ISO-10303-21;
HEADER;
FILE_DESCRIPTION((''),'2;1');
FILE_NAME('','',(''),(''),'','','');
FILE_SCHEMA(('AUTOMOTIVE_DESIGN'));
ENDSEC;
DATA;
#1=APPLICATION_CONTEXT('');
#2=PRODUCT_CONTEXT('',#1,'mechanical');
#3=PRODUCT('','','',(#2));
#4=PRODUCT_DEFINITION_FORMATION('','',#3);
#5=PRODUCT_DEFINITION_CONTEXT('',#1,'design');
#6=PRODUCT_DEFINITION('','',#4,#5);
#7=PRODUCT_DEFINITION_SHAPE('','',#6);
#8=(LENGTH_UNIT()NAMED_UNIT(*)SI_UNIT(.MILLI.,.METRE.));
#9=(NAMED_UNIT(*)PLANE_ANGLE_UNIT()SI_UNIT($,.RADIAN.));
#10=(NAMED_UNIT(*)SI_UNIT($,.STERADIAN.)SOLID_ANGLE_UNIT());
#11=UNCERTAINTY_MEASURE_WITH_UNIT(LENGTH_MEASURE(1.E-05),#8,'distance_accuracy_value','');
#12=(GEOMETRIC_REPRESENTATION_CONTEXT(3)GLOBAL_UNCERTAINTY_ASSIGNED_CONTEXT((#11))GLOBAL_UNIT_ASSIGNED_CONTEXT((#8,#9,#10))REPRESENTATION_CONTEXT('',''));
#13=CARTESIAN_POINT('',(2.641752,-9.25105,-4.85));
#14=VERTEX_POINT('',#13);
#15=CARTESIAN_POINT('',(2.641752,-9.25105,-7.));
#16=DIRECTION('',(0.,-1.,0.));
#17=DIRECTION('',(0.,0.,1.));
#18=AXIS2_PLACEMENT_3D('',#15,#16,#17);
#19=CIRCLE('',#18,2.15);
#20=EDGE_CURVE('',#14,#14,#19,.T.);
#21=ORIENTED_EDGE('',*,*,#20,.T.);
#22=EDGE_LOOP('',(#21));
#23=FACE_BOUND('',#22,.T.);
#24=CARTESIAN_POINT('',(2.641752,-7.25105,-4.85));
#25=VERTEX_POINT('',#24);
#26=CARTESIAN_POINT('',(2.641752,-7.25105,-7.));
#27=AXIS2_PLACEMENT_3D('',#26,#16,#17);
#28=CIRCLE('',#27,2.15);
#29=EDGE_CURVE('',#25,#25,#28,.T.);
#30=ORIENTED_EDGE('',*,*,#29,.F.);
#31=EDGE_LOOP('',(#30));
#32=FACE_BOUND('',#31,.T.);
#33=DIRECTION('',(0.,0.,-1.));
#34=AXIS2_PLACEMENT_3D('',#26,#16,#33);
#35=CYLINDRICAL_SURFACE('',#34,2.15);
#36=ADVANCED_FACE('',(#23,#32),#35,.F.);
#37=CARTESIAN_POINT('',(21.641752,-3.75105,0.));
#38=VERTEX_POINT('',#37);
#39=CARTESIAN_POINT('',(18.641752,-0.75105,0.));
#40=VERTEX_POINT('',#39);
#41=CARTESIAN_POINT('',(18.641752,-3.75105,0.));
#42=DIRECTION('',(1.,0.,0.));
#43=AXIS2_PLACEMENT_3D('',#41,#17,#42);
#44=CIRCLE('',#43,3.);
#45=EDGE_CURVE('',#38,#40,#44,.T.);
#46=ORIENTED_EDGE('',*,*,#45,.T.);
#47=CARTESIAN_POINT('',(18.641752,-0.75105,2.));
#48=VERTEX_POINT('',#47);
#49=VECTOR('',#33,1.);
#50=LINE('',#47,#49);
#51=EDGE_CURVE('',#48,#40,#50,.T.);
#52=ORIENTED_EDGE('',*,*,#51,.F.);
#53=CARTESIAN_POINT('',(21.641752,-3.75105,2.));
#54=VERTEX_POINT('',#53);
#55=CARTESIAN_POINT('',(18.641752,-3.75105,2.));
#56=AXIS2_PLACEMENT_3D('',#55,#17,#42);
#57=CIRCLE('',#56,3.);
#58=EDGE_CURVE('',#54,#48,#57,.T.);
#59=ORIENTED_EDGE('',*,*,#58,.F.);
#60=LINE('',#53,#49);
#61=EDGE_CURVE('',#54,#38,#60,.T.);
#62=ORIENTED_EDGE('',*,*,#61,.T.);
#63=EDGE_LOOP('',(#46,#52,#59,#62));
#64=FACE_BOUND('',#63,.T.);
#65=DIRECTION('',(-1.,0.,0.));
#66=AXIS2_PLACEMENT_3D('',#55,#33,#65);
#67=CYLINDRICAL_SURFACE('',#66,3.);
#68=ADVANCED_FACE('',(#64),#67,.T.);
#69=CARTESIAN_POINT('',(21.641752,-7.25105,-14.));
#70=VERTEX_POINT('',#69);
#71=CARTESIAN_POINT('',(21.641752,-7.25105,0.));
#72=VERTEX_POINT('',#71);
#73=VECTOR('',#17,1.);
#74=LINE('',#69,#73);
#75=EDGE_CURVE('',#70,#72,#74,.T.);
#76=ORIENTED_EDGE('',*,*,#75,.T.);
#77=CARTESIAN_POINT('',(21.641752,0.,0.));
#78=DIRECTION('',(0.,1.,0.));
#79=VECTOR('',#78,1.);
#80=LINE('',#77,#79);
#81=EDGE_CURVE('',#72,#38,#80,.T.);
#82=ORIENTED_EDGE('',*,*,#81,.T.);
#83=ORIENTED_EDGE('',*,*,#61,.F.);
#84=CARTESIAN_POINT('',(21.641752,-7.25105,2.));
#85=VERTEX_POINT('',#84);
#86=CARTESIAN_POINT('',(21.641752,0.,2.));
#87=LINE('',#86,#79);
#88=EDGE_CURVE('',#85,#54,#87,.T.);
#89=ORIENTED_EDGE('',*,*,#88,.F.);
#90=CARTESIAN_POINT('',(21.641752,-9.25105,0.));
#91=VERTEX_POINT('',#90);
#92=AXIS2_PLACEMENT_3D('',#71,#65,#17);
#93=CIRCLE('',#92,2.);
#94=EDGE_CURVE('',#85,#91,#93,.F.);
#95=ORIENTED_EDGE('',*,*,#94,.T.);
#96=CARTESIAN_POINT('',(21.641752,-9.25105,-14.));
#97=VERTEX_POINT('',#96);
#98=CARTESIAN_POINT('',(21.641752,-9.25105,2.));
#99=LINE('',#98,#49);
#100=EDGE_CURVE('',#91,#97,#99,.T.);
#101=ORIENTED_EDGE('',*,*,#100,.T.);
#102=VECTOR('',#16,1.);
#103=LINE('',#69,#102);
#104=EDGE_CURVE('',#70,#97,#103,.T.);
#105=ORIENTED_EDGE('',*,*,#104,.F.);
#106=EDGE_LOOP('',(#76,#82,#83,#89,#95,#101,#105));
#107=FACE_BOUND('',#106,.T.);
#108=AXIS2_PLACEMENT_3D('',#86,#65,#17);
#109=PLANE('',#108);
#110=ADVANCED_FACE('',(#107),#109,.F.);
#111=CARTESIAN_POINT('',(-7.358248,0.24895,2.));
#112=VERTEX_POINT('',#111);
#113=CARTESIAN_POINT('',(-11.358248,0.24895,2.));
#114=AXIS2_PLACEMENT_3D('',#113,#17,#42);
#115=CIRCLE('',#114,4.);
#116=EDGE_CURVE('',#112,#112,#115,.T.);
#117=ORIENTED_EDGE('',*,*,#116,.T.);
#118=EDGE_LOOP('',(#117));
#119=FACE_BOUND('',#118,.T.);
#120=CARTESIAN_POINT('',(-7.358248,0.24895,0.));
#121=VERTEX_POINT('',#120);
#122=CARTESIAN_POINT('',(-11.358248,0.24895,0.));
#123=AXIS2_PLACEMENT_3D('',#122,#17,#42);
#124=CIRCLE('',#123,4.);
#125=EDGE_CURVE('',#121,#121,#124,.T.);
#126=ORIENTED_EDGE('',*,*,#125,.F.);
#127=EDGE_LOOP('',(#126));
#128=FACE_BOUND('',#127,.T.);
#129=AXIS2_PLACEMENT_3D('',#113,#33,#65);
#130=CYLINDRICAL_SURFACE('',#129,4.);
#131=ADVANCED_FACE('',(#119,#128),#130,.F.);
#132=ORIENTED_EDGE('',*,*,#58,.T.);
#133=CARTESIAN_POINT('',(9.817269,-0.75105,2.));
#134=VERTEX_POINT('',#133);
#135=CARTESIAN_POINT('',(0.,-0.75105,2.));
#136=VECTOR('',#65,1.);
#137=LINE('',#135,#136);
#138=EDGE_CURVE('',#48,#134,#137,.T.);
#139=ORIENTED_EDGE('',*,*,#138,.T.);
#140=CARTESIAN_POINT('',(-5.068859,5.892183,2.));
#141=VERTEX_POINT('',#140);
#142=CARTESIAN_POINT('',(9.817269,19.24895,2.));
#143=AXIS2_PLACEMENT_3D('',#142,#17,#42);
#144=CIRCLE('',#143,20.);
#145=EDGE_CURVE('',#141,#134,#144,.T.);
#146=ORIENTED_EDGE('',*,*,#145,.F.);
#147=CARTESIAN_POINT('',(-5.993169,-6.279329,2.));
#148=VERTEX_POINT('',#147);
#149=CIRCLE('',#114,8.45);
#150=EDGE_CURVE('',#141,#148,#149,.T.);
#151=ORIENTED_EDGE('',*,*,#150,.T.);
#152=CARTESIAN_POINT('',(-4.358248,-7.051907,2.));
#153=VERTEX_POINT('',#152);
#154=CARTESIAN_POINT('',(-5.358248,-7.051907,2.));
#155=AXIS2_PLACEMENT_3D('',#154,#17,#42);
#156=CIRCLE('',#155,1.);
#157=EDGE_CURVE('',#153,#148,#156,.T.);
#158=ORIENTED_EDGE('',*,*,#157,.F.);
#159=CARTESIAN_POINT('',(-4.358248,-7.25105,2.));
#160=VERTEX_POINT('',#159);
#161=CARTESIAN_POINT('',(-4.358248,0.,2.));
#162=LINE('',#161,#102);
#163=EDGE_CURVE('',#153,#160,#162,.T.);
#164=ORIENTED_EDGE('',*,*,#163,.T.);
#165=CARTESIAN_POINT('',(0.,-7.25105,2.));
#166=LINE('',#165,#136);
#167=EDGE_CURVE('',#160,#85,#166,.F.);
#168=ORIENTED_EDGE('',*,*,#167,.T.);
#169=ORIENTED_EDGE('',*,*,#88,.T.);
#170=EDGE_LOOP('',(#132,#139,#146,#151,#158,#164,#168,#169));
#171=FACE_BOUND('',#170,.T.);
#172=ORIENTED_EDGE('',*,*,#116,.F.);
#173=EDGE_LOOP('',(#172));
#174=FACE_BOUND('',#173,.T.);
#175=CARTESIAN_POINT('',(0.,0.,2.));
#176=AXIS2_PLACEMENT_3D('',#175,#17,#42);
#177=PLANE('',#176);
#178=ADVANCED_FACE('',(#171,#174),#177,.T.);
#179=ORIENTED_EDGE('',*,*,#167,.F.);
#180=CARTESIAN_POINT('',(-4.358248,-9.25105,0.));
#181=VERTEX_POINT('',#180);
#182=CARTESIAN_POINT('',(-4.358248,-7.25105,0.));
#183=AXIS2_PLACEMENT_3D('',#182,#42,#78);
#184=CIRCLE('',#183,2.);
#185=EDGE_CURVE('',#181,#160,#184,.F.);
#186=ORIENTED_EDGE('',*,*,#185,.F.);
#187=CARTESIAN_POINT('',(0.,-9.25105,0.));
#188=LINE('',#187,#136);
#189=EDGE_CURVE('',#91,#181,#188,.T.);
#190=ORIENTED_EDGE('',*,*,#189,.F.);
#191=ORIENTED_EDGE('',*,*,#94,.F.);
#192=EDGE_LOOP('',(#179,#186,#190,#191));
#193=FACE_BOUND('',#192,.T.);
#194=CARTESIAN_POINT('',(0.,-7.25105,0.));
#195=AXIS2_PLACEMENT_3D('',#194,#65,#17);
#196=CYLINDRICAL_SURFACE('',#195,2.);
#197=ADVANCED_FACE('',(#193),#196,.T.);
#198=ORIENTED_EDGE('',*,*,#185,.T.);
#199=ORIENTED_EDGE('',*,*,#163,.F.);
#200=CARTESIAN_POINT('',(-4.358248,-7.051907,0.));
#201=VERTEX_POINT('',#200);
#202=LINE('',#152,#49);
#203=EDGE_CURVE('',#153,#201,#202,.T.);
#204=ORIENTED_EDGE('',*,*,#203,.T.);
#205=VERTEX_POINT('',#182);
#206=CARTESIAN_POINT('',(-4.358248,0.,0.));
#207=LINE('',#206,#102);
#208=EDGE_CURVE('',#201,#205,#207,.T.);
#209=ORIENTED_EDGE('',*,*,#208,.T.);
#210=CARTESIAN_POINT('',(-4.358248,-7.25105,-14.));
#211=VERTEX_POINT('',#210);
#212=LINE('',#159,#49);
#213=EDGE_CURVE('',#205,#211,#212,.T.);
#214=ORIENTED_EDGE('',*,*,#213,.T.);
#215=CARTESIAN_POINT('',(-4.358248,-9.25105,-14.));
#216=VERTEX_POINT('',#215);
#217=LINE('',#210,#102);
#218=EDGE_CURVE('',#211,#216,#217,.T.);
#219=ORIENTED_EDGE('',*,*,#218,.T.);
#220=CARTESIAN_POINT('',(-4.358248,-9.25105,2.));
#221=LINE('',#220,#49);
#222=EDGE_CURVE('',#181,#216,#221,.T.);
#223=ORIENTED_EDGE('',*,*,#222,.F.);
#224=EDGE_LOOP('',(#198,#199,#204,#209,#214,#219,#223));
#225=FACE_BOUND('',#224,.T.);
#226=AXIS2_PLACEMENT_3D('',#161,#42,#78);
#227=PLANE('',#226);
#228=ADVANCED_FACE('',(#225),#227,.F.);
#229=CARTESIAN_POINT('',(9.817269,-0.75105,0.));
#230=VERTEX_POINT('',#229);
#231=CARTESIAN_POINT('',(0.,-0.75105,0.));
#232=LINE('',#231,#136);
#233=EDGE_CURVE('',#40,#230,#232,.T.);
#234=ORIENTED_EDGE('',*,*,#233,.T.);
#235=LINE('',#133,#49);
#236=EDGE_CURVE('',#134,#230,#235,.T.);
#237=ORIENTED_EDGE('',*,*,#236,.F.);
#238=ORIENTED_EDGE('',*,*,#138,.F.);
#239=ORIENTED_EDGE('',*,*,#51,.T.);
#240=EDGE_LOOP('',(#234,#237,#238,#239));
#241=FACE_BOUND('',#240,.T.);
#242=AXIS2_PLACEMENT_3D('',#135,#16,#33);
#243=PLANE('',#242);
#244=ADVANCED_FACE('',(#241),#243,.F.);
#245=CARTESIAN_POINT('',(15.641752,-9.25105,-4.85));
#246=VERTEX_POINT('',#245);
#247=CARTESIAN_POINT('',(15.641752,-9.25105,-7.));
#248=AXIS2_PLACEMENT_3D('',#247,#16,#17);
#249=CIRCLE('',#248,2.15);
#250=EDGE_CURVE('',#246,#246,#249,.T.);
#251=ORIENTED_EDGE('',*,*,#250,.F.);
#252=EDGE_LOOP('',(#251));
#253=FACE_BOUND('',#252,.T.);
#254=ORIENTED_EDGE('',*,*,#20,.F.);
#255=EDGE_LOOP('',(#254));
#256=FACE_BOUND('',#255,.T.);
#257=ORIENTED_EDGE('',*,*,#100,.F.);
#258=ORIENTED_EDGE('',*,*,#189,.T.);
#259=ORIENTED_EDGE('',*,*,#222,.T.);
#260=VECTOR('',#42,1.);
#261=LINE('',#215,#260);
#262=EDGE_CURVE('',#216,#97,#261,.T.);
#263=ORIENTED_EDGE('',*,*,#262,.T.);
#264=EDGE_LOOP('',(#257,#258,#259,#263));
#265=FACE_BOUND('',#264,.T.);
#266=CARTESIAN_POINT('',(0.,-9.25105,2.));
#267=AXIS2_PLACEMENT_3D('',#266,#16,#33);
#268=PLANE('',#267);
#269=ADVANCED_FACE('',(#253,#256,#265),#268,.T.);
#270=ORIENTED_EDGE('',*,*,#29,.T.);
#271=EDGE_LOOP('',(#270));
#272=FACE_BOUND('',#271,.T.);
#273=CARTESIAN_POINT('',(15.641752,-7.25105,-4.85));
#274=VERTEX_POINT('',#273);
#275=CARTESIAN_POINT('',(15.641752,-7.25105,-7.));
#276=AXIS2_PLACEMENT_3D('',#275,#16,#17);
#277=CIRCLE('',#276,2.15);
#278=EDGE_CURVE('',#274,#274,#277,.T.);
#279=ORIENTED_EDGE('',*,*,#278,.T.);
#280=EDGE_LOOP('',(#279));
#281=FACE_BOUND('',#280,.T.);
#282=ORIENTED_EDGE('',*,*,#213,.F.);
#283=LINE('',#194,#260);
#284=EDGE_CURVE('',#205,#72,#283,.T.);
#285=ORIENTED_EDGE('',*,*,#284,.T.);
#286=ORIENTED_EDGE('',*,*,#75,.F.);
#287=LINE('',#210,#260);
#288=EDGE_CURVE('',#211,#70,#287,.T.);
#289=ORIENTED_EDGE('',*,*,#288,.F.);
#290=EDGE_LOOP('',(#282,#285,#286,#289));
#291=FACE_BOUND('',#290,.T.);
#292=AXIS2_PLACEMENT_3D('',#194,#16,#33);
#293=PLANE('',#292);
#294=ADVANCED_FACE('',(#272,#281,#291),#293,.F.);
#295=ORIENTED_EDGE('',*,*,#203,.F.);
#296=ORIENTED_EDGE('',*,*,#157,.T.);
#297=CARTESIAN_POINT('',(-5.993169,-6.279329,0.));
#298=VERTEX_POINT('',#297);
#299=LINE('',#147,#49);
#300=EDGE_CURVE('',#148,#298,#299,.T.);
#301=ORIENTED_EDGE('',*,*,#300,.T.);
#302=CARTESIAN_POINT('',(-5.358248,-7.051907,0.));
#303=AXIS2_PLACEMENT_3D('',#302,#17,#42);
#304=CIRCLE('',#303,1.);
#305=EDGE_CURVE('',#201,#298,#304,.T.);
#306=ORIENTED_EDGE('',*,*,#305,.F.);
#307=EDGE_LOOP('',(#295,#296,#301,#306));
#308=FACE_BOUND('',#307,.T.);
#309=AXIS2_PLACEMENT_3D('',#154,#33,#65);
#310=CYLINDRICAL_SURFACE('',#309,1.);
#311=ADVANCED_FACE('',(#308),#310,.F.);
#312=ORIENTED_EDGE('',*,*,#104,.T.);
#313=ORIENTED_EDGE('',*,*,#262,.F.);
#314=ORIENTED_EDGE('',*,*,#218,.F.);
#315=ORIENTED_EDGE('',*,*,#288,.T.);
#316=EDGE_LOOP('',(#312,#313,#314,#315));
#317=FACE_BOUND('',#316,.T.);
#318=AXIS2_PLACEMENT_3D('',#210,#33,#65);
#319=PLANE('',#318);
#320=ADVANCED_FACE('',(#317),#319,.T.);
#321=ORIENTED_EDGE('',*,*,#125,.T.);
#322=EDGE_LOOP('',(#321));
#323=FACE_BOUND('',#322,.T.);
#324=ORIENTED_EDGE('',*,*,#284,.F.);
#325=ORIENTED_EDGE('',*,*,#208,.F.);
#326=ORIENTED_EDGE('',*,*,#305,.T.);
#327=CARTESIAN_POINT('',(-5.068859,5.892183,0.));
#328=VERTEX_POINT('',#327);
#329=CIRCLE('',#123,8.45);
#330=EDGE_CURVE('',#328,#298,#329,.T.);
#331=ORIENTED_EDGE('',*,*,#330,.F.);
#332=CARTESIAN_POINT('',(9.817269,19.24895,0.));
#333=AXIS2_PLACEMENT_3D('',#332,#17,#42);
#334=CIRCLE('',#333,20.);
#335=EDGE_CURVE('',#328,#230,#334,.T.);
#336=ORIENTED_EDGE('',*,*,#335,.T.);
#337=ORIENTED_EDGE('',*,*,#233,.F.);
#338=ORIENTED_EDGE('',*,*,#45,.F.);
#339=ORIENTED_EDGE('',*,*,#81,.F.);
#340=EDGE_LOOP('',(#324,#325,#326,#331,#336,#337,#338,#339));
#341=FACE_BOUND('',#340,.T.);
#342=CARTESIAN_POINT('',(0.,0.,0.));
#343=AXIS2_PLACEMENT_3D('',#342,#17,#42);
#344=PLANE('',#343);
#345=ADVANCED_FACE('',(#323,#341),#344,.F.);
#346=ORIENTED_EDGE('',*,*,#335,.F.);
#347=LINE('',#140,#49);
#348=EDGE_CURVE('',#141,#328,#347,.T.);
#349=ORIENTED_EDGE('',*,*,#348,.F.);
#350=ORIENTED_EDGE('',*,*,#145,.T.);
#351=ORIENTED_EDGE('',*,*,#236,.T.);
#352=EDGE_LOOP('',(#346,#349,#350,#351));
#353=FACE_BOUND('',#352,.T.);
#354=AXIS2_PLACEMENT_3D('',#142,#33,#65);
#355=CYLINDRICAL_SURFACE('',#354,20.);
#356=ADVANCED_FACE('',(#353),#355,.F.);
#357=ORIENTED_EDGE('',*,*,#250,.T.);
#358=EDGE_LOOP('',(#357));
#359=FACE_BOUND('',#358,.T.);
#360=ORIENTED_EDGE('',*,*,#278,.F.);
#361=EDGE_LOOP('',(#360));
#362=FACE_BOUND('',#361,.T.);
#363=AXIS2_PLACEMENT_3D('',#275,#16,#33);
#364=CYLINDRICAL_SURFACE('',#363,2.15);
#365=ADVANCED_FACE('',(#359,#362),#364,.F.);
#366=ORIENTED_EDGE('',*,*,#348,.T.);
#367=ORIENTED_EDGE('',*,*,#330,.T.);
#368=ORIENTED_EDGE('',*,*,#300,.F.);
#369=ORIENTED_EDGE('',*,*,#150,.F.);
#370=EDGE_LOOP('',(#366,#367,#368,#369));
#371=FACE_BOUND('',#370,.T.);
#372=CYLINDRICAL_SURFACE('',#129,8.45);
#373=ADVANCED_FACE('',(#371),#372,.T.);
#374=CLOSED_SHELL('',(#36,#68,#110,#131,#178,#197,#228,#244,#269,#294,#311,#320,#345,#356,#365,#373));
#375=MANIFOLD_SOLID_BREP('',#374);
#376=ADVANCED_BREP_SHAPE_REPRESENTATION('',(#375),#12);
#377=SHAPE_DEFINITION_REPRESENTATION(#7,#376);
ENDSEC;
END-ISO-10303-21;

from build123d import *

# Parameters (mm, degrees)
EXTRUDE_1_DEPTH = 2
SKETCH_2_W      = 26
SKETCH_2_H      = 16
SKETCH_2_R      = 2.15
EXTRUDE_2_DEPTH = 2
FILLET_1_R      = 2


with BuildPart() as part:
    # 草图1 → 凸台-拉伸1 (new body)
    with BuildSketch(Plane.XY):
        with BuildLine():
            ThreePointArc((-5.068859013, 5.89218325), (1.666665094, 0.98511468), (9.817268595, -0.751050494))
            Line((9.817268595, -0.751050494), (18.641752073, -0.751050494))
            ThreePointArc((18.641752073, -0.751050494), (20.763072416, -1.62973015), (21.641752073, -3.751050494))
            Line((21.641752073, -3.751050494), (21.641752073, -7.251050494))
            Line((21.641752073, -7.251050494), (-4.358247927, -7.251050494))
            Line((-4.358247927, -7.251050494), (-4.358247927, -7.051906608))
            ThreePointArc((-4.358247927, -7.051906608), (-4.931001298, -6.147771487), (-5.993168562, -6.279329241))
            ThreePointArc((-5.993168562, -6.279329241), (-19.783987468, 0.888803553), (-5.068859013, 5.89218325))
        make_face()
        with BuildLine():
            ThreePointArc((-11.358247927, -3.751050494), (-7.358247927, 0.248949506), (-11.358247927, 4.248949506))
            ThreePointArc((-11.358247927, 4.248949506), (-15.358247927, 0.248949506), (-11.358247927, -3.751050494))
        make_face(mode=Mode.SUBTRACT)
        Polygon((19.641752073, -9.251050494), (-2.358247927, -9.251050494), (-4.358247927, -9.251050494), (-4.358247927, -7.251050494), (21.641752073, -7.251050494), (21.641752073, -9.251050494), align=None)
    extrude(amount=EXTRUDE_1_DEPTH)

    # 草图2 → 凸台-拉伸2 (add)
    with BuildSketch(Plane.XZ.offset(9.251050494)):
        with Locations((8.641752073, -6)):
            Rectangle(SKETCH_2_W, SKETCH_2_H)
        with Locations((2.641752073, -7)):
            Circle(SKETCH_2_R, mode=Mode.SUBTRACT)
        with BuildLine():
            ThreePointArc((13.82437189, -8.148751179), (15.043783592, -4.93482841), (17.791752073, -7))
            ThreePointArc((17.791752073, -7), (16.239720553, -9.06517159), (13.82437189, -8.148751179))
        make_face(mode=Mode.SUBTRACT)
    extrude(amount=-EXTRUDE_2_DEPTH)

    # 圆角1
    fillet_1_edges = [part.edges().sort_by_distance(p)[0] for p in [
        (8.641752073, -9.251050494, 2),
    ]]
    fillet(fillet_1_edges, radius=FILLET_1_R)


solid = part.part
